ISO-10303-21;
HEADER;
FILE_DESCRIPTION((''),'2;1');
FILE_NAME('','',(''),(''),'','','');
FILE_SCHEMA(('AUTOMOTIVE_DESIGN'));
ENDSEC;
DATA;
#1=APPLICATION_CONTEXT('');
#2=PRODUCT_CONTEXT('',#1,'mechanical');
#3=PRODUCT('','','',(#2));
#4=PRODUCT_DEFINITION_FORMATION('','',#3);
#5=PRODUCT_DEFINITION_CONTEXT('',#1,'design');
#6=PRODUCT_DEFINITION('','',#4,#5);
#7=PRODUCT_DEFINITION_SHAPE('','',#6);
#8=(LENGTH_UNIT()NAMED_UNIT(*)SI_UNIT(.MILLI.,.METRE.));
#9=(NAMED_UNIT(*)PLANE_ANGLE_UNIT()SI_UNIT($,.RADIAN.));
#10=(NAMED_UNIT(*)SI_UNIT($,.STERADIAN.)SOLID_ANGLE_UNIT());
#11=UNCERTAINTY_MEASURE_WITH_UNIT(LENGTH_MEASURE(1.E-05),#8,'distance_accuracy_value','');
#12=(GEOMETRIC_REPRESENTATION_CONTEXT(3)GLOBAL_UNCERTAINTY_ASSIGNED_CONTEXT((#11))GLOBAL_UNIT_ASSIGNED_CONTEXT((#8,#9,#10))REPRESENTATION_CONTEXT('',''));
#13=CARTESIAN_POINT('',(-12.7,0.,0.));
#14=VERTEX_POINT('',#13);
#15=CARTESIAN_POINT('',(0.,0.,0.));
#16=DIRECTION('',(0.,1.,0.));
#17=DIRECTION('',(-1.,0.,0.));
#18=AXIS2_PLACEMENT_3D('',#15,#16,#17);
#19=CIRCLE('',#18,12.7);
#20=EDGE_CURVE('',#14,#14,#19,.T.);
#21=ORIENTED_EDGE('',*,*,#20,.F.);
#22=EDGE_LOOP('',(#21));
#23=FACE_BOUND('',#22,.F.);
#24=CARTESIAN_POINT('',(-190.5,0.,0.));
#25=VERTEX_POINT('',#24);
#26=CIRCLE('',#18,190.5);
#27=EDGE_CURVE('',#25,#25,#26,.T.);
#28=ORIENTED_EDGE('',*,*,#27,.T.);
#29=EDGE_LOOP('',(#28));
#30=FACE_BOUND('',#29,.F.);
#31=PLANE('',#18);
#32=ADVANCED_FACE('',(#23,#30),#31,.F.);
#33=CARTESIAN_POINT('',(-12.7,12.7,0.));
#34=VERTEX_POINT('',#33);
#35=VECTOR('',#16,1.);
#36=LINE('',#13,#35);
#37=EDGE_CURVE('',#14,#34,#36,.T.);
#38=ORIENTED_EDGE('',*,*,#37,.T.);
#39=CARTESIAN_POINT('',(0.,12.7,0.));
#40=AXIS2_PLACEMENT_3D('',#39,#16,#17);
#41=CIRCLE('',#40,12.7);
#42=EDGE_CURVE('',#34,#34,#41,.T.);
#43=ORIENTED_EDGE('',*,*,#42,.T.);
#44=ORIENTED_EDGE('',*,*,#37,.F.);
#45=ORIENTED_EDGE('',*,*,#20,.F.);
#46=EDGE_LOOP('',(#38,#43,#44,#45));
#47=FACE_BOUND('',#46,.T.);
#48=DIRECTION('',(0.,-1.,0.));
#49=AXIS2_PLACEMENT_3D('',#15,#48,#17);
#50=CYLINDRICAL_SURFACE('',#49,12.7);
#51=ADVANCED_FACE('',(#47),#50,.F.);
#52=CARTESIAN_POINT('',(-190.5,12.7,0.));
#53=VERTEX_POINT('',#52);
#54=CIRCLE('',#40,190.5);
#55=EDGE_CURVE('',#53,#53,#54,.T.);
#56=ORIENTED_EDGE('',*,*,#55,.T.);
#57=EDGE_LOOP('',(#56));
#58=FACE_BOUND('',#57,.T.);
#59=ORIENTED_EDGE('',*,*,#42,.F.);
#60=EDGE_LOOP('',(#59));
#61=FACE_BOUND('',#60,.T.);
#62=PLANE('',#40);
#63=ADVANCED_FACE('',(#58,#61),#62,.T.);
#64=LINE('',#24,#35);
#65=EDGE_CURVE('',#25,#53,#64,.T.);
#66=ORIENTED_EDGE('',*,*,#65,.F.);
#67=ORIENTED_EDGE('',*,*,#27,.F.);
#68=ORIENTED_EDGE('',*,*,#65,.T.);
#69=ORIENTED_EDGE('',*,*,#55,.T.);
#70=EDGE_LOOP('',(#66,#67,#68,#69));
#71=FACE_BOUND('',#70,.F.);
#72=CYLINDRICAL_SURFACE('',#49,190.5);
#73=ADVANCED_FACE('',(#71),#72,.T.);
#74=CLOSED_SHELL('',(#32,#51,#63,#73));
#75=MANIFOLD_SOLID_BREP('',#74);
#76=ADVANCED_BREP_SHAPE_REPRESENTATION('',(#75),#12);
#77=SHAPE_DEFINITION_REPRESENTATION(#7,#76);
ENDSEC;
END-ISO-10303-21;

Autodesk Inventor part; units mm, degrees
ref_plane "YZ Plane" through (0, 0, 0) normal (1, 0, 0) x (0, 1, 0)
ref_plane "XZ Plane" through (0, 0, 0) normal (0, 1, 0) x (-1, 0, 0)
ref_plane "XY Plane" through (0, 0, 0) normal (0, 0, 1) x (1, 0, 0)
sketch "Sketch1" plane through (0, 0, 0) normal (0, 1, 0) x (-1, 0, 0)
  circle A0 centre (0, 0) radius 12.7
  circle A1 centre (0, 0) radius 190.5
  dimension "d0" = 25.4
  dimension "d1" = 381
extrude "Extrusion1" add sketch "Sketch1" along normal blind 12.7
properties part number "Carousel"
